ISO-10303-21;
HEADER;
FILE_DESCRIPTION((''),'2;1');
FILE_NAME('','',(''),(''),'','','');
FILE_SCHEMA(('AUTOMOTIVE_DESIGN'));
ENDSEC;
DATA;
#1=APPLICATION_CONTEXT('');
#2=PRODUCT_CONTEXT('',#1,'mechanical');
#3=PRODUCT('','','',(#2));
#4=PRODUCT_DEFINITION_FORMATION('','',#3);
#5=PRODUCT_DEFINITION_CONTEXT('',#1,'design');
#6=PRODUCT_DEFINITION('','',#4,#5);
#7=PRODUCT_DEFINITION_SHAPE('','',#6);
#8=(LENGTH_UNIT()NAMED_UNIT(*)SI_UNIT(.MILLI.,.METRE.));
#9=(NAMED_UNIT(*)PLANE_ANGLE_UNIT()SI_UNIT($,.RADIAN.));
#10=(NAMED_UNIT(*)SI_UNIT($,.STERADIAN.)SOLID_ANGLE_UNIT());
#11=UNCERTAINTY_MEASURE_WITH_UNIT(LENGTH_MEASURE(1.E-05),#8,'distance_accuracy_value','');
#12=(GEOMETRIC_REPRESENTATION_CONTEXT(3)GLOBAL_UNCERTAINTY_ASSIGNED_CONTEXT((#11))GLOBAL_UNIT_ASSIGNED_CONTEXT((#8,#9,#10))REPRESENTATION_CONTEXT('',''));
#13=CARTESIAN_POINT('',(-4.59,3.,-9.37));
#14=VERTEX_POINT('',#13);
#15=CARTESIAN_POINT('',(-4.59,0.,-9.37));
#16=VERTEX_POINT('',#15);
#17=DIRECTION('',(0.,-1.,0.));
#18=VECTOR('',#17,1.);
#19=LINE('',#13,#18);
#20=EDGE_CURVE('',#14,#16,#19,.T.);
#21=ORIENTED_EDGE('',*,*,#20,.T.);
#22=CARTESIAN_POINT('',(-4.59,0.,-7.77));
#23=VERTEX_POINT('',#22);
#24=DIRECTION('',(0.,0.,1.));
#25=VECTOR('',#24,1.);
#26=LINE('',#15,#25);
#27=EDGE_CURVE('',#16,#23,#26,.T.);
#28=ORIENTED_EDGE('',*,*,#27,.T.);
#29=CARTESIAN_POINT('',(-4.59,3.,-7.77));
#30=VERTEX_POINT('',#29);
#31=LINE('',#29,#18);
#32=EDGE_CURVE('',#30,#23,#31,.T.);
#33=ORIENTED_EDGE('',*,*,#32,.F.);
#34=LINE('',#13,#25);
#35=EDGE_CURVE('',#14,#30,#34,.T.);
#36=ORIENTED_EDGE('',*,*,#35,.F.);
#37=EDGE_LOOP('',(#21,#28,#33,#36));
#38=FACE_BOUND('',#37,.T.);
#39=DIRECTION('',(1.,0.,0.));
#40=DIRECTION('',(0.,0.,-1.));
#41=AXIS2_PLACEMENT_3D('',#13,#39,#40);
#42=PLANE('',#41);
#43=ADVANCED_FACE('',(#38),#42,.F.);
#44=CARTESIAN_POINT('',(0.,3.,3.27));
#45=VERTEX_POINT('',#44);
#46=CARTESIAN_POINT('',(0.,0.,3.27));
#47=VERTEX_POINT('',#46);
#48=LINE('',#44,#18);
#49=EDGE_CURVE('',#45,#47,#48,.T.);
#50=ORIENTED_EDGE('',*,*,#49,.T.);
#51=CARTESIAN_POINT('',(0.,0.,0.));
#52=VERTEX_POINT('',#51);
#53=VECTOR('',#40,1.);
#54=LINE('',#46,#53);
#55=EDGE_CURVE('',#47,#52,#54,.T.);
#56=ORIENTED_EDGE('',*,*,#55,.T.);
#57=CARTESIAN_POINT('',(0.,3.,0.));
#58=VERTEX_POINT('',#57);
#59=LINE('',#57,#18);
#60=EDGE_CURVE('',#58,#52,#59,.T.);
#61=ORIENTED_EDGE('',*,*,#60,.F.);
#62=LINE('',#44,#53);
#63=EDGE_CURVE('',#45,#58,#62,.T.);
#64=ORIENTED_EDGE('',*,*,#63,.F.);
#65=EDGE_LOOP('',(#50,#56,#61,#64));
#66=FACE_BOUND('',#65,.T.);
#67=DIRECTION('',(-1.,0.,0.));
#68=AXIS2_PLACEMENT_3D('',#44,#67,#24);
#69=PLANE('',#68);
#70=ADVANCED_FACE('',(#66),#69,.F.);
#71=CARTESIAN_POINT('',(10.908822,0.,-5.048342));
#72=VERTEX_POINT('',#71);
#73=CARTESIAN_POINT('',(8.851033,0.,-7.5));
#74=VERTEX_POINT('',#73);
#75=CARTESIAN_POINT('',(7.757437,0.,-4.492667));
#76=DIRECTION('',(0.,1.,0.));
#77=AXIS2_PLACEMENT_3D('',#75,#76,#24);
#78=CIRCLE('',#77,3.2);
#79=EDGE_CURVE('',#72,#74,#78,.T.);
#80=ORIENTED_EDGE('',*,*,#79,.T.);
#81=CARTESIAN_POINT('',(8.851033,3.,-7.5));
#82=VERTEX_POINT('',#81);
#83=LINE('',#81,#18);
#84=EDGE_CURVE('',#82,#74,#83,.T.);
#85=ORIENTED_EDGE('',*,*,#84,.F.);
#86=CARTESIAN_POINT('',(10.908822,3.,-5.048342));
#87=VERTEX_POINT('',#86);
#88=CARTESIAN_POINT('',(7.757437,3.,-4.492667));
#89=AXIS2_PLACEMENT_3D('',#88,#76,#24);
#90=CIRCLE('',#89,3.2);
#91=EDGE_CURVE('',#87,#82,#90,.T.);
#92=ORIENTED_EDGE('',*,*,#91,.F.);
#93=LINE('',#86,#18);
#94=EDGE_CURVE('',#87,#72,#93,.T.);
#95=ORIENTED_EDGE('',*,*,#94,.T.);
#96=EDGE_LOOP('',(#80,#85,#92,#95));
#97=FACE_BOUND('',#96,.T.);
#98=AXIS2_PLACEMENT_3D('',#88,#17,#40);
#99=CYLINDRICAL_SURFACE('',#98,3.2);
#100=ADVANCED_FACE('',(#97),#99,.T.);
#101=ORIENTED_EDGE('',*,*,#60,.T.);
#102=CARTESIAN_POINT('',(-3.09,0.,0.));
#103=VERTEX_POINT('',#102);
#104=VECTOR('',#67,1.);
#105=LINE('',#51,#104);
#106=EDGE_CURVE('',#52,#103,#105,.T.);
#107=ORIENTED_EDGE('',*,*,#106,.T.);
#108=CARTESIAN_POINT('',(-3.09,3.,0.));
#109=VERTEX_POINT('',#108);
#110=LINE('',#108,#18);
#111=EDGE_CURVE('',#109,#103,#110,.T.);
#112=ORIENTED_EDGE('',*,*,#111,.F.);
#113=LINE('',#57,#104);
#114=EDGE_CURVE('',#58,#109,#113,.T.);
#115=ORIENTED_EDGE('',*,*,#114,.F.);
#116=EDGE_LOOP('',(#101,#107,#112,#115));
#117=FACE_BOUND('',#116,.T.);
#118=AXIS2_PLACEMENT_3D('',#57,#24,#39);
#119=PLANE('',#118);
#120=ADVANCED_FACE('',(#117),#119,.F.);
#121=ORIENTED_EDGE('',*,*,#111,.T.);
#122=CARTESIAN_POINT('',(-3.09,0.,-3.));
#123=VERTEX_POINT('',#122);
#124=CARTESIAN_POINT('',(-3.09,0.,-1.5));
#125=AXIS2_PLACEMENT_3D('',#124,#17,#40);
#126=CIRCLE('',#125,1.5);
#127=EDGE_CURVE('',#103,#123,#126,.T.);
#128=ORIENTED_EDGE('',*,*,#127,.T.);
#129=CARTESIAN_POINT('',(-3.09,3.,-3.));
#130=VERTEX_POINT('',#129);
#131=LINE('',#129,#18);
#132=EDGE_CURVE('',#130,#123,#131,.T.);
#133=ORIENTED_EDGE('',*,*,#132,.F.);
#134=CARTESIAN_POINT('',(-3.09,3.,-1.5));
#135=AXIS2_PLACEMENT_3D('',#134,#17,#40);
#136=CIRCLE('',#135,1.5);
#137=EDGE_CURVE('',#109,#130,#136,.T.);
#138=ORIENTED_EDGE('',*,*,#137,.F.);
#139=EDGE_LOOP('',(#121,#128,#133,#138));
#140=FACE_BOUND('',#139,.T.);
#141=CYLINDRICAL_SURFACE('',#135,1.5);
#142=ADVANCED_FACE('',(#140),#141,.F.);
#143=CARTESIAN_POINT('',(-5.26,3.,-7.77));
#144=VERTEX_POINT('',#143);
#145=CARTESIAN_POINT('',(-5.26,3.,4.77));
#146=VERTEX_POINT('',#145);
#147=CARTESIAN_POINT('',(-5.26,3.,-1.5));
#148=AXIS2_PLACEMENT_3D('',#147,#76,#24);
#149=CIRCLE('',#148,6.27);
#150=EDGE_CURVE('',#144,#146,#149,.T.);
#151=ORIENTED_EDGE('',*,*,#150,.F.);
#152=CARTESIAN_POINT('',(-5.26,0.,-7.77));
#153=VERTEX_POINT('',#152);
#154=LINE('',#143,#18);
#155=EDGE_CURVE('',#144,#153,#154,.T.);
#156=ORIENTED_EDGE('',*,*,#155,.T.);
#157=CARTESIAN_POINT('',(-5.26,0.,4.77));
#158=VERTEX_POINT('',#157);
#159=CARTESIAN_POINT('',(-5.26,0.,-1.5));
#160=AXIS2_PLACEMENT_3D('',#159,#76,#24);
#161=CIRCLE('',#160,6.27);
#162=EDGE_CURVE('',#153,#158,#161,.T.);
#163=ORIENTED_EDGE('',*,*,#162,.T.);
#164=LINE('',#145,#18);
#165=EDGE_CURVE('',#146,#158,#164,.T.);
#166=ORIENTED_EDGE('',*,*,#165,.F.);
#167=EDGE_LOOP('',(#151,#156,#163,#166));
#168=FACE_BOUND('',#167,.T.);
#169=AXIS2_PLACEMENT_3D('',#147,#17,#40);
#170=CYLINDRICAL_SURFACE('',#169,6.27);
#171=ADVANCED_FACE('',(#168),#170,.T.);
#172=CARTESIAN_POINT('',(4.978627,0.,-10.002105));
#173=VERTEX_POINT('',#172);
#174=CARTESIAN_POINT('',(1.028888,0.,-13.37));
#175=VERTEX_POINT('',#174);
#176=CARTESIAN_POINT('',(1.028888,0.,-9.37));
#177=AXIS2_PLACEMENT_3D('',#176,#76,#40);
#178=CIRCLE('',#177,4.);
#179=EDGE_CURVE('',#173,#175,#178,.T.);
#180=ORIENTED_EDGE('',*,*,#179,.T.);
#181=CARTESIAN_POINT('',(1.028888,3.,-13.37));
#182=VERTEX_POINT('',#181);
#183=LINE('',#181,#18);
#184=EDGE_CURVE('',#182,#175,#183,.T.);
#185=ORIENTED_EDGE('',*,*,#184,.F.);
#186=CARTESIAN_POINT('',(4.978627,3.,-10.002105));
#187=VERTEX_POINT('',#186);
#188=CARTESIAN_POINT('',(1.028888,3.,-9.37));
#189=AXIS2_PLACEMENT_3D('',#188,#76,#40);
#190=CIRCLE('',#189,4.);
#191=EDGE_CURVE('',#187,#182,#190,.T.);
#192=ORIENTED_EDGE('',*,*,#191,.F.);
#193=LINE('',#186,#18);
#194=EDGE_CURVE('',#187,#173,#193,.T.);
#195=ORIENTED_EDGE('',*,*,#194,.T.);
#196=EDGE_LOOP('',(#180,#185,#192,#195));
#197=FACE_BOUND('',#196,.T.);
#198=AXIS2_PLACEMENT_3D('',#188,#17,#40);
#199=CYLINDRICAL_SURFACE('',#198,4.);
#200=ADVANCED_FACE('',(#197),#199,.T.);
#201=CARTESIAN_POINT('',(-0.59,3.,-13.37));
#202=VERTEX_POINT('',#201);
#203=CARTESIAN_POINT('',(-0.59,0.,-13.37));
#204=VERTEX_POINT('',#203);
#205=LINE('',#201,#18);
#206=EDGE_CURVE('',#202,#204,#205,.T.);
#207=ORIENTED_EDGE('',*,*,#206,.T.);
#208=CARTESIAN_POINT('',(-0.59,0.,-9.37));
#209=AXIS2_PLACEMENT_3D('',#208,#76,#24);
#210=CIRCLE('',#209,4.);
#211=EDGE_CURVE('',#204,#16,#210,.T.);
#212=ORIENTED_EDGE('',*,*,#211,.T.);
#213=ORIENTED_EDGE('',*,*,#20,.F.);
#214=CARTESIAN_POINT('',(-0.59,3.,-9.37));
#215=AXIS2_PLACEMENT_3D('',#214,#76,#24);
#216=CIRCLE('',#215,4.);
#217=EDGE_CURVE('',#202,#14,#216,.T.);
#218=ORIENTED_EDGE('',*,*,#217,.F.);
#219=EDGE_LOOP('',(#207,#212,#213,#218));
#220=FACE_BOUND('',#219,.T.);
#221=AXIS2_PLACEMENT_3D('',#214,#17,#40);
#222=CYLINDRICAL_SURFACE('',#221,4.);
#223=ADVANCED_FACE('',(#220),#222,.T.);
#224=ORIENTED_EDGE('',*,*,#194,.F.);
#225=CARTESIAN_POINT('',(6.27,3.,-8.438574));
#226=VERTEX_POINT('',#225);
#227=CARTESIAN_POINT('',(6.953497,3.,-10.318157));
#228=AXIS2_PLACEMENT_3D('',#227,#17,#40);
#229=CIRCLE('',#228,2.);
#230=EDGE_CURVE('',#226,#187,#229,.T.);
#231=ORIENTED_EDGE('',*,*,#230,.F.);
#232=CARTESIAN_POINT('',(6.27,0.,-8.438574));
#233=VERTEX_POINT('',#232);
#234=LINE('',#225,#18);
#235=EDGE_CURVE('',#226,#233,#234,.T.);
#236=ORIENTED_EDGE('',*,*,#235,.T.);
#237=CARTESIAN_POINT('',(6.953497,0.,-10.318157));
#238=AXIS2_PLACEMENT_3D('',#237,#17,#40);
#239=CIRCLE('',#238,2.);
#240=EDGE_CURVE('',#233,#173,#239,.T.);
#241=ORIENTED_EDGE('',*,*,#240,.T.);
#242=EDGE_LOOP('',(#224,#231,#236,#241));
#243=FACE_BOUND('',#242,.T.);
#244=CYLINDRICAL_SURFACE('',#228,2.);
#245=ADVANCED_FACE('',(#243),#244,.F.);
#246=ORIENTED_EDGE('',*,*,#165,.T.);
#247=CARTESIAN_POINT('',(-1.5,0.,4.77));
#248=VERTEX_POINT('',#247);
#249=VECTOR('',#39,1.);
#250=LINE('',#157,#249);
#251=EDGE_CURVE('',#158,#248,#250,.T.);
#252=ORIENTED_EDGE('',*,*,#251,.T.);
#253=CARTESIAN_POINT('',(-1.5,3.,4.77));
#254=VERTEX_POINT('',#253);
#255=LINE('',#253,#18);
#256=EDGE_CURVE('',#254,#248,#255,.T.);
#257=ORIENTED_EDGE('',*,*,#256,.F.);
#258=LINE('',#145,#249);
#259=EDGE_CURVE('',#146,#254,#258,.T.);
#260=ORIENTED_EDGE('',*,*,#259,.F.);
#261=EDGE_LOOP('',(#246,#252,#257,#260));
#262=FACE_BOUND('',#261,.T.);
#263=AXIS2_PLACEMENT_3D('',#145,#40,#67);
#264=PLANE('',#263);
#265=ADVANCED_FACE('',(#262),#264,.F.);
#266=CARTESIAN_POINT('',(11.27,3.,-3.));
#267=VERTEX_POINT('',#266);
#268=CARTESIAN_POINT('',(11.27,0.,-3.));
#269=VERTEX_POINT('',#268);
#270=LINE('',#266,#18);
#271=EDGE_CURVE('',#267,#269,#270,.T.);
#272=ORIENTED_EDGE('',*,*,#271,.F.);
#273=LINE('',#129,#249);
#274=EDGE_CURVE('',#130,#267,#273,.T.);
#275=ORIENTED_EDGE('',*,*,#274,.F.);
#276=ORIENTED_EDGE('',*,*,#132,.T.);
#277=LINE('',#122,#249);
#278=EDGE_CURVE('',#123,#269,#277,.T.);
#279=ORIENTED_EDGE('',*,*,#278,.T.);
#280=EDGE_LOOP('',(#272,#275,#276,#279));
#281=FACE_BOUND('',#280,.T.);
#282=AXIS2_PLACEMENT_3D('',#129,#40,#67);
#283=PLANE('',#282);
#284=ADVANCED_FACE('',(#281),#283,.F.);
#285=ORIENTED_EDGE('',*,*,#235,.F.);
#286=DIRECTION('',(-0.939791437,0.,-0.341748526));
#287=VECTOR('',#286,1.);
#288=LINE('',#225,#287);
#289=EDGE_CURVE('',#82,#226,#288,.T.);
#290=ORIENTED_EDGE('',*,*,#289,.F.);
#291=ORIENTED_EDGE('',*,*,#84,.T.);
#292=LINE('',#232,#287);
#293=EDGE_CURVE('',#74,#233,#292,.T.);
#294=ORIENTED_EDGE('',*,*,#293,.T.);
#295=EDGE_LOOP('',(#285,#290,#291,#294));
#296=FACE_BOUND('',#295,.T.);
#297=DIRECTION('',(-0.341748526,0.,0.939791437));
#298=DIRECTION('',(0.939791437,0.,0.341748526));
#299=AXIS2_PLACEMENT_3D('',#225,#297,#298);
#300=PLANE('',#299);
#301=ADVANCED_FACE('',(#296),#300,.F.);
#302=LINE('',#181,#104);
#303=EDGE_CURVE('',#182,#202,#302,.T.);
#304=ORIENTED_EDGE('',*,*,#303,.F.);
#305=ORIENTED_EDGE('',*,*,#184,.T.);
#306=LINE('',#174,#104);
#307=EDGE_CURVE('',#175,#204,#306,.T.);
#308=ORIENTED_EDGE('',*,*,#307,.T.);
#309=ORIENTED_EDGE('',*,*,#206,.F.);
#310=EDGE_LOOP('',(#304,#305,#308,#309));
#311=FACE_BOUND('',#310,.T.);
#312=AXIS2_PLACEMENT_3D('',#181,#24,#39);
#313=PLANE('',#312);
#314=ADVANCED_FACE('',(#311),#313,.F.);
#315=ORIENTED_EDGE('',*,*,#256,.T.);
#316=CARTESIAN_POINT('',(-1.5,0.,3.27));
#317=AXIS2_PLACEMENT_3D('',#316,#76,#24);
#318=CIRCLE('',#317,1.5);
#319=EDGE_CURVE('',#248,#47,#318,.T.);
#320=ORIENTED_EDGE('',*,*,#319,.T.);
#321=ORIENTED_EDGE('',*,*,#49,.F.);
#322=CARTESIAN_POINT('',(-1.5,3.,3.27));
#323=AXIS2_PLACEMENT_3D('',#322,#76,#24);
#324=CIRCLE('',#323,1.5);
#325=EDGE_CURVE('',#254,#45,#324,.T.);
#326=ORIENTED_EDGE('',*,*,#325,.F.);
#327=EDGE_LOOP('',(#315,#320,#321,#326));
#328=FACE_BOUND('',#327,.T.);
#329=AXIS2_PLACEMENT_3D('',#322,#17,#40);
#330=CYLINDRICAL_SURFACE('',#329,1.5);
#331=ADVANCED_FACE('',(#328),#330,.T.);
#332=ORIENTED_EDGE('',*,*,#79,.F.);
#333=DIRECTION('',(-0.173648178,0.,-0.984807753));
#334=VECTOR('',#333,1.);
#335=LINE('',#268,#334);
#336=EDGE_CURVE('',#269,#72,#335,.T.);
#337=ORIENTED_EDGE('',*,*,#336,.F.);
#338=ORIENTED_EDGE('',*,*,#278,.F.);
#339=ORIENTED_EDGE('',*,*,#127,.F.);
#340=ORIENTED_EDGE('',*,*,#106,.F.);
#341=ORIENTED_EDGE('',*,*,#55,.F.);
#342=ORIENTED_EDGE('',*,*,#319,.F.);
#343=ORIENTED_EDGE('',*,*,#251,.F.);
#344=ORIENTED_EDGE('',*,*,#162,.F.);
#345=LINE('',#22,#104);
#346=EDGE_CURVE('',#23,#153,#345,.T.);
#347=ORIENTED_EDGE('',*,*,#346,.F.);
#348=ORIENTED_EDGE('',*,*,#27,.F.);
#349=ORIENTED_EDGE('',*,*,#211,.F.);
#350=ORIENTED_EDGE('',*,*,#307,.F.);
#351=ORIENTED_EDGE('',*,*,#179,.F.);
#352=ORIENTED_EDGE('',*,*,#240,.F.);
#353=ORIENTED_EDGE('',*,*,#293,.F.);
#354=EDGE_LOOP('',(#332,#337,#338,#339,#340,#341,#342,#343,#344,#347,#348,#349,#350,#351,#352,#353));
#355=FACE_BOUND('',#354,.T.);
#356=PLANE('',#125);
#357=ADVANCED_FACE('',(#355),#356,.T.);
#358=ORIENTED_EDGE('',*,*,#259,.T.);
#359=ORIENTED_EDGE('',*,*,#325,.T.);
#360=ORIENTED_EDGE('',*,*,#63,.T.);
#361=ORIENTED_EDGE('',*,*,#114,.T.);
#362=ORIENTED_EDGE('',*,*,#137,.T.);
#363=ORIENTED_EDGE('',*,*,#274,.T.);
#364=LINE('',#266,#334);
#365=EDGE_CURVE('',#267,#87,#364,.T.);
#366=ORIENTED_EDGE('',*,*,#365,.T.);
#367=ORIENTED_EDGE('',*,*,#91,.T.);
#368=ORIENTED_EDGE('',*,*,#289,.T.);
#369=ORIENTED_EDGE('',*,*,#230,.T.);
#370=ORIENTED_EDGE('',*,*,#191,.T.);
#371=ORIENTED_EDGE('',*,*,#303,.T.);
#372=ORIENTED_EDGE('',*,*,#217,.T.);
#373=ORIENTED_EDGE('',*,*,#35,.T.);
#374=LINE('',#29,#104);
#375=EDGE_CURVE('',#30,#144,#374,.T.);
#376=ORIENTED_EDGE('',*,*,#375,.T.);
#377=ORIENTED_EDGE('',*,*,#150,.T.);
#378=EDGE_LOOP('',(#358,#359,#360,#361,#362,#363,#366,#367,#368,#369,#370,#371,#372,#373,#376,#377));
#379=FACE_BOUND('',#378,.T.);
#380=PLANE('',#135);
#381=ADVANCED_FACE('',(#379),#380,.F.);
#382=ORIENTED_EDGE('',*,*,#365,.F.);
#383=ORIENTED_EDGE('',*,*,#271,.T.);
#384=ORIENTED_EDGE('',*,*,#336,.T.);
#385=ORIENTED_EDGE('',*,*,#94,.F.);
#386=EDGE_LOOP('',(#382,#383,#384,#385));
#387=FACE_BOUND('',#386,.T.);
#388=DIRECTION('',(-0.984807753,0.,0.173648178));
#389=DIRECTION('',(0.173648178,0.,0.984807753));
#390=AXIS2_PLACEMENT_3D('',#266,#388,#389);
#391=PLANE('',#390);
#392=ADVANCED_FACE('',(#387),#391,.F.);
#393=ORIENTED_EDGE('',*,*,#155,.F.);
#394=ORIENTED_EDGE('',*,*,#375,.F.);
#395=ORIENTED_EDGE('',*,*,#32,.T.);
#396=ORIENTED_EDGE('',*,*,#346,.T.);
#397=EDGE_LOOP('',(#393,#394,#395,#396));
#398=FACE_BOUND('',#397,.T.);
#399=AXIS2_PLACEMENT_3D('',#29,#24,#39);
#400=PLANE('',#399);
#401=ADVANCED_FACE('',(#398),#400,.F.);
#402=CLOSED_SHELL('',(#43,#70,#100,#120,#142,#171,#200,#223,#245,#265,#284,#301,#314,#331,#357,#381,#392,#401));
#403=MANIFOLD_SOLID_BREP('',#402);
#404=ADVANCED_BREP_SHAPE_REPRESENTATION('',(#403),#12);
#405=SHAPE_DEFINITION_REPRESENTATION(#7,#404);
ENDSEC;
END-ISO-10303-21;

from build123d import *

# Parameters (mm, degrees)
BOSS_EXTRUDE2_DEPTH = 3


with BuildPart() as part:
    # Sketch1 → Boss-Extrude2 (new body)
    with BuildSketch(Plane(origin=(0, 0, 0), x_dir=(1, 0, 0), z_dir=(0, 1, 0))):
        with BuildLine():
            Line((0, 0), (-3.09, 0))
            ThreePointArc((-3.09, 0), (-4.59, 1.5), (-3.09, 3))
            Line((-3.09, 3), (11.27, 3))
            Line((11.27, 3), (10.908822115, 5.04834157))
            ThreePointArc((10.908822115, 5.04834157), (10.208482238, 6.549941992), (8.851032589, 7.5))
            Line((8.851032589, 7.5), (6.27, 8.438574292))
            ThreePointArc((6.27, 8.438574292), (5.411457646, 9.044534587), (4.978627211, 10.002104777))
            ThreePointArc((4.978627211, 10.002104777), (3.62422767, 12.413716405), (1.02888753, 13.37))
            Line((1.02888753, 13.37), (-0.59, 13.37))
            ThreePointArc((-0.59, 13.37), (-3.418427125, 12.198427125), (-4.59, 9.37))
            Line((-4.59, 9.37), (-4.59, 7.77))
            Line((-4.59, 7.77), (-5.26, 7.77))
            ThreePointArc((-5.26, 7.77), (-11.53, 1.5), (-5.26, -4.77))
            Line((-5.26, -4.77), (-1.5, -4.77))
            ThreePointArc((-1.5, -4.77), (-0.439339828, -4.330660172), (0, -3.27))
            Line((0, -3.27), (0, 0))
        make_face()
    extrude(amount=BOSS_EXTRUDE2_DEPTH)


solid = part.part
